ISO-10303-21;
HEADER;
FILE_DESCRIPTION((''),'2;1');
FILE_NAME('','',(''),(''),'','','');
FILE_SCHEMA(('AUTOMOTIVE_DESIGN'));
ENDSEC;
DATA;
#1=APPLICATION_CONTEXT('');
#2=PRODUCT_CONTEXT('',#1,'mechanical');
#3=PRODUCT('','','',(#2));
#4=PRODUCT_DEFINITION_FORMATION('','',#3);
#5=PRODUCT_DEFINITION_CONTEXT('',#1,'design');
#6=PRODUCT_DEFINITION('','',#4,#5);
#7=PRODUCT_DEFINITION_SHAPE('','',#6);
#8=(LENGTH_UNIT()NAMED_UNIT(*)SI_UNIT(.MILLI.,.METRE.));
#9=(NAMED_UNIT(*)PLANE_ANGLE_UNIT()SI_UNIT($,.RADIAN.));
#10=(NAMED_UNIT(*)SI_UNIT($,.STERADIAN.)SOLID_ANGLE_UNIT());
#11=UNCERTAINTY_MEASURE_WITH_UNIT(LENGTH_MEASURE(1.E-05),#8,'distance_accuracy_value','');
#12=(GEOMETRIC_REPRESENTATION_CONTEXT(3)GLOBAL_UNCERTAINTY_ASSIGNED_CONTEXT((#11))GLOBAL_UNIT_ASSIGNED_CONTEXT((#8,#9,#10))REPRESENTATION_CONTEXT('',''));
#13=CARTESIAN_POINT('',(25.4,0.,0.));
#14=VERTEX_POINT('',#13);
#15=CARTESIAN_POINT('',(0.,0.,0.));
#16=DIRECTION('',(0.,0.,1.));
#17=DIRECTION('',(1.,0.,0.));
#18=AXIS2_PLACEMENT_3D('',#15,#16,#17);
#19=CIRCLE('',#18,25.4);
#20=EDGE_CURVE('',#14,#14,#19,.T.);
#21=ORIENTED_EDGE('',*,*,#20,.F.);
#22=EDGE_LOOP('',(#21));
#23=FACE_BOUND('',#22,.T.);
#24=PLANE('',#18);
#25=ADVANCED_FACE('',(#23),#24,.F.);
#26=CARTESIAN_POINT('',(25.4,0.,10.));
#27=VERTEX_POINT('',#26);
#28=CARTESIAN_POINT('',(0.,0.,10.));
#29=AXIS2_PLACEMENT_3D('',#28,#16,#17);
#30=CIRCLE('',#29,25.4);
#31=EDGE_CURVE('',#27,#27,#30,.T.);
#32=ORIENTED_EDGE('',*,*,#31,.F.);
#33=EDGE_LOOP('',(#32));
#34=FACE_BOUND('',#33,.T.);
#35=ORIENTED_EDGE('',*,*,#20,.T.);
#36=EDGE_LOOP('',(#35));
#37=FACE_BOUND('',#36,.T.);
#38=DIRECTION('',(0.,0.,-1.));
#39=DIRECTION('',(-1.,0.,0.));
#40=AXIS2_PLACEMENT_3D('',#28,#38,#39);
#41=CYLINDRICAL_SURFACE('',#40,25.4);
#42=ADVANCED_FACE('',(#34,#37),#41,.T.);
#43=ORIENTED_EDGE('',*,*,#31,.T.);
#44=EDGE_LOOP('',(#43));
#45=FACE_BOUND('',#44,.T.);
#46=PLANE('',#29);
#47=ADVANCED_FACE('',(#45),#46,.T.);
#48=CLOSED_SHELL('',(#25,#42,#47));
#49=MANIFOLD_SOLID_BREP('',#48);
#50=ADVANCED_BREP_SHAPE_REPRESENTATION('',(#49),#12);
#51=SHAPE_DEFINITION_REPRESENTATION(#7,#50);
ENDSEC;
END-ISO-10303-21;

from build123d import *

# Parameters (mm, degrees)
SKETCH_1_R      = 25.4
EXTRUDE_1_DEPTH = 10


with BuildPart() as part:
    # 草图1 → 凸台-拉伸1 (new body)
    with BuildSketch(Plane.XY):
        Circle(SKETCH_1_R)
    extrude(amount=EXTRUDE_1_DEPTH)


solid = part.part
